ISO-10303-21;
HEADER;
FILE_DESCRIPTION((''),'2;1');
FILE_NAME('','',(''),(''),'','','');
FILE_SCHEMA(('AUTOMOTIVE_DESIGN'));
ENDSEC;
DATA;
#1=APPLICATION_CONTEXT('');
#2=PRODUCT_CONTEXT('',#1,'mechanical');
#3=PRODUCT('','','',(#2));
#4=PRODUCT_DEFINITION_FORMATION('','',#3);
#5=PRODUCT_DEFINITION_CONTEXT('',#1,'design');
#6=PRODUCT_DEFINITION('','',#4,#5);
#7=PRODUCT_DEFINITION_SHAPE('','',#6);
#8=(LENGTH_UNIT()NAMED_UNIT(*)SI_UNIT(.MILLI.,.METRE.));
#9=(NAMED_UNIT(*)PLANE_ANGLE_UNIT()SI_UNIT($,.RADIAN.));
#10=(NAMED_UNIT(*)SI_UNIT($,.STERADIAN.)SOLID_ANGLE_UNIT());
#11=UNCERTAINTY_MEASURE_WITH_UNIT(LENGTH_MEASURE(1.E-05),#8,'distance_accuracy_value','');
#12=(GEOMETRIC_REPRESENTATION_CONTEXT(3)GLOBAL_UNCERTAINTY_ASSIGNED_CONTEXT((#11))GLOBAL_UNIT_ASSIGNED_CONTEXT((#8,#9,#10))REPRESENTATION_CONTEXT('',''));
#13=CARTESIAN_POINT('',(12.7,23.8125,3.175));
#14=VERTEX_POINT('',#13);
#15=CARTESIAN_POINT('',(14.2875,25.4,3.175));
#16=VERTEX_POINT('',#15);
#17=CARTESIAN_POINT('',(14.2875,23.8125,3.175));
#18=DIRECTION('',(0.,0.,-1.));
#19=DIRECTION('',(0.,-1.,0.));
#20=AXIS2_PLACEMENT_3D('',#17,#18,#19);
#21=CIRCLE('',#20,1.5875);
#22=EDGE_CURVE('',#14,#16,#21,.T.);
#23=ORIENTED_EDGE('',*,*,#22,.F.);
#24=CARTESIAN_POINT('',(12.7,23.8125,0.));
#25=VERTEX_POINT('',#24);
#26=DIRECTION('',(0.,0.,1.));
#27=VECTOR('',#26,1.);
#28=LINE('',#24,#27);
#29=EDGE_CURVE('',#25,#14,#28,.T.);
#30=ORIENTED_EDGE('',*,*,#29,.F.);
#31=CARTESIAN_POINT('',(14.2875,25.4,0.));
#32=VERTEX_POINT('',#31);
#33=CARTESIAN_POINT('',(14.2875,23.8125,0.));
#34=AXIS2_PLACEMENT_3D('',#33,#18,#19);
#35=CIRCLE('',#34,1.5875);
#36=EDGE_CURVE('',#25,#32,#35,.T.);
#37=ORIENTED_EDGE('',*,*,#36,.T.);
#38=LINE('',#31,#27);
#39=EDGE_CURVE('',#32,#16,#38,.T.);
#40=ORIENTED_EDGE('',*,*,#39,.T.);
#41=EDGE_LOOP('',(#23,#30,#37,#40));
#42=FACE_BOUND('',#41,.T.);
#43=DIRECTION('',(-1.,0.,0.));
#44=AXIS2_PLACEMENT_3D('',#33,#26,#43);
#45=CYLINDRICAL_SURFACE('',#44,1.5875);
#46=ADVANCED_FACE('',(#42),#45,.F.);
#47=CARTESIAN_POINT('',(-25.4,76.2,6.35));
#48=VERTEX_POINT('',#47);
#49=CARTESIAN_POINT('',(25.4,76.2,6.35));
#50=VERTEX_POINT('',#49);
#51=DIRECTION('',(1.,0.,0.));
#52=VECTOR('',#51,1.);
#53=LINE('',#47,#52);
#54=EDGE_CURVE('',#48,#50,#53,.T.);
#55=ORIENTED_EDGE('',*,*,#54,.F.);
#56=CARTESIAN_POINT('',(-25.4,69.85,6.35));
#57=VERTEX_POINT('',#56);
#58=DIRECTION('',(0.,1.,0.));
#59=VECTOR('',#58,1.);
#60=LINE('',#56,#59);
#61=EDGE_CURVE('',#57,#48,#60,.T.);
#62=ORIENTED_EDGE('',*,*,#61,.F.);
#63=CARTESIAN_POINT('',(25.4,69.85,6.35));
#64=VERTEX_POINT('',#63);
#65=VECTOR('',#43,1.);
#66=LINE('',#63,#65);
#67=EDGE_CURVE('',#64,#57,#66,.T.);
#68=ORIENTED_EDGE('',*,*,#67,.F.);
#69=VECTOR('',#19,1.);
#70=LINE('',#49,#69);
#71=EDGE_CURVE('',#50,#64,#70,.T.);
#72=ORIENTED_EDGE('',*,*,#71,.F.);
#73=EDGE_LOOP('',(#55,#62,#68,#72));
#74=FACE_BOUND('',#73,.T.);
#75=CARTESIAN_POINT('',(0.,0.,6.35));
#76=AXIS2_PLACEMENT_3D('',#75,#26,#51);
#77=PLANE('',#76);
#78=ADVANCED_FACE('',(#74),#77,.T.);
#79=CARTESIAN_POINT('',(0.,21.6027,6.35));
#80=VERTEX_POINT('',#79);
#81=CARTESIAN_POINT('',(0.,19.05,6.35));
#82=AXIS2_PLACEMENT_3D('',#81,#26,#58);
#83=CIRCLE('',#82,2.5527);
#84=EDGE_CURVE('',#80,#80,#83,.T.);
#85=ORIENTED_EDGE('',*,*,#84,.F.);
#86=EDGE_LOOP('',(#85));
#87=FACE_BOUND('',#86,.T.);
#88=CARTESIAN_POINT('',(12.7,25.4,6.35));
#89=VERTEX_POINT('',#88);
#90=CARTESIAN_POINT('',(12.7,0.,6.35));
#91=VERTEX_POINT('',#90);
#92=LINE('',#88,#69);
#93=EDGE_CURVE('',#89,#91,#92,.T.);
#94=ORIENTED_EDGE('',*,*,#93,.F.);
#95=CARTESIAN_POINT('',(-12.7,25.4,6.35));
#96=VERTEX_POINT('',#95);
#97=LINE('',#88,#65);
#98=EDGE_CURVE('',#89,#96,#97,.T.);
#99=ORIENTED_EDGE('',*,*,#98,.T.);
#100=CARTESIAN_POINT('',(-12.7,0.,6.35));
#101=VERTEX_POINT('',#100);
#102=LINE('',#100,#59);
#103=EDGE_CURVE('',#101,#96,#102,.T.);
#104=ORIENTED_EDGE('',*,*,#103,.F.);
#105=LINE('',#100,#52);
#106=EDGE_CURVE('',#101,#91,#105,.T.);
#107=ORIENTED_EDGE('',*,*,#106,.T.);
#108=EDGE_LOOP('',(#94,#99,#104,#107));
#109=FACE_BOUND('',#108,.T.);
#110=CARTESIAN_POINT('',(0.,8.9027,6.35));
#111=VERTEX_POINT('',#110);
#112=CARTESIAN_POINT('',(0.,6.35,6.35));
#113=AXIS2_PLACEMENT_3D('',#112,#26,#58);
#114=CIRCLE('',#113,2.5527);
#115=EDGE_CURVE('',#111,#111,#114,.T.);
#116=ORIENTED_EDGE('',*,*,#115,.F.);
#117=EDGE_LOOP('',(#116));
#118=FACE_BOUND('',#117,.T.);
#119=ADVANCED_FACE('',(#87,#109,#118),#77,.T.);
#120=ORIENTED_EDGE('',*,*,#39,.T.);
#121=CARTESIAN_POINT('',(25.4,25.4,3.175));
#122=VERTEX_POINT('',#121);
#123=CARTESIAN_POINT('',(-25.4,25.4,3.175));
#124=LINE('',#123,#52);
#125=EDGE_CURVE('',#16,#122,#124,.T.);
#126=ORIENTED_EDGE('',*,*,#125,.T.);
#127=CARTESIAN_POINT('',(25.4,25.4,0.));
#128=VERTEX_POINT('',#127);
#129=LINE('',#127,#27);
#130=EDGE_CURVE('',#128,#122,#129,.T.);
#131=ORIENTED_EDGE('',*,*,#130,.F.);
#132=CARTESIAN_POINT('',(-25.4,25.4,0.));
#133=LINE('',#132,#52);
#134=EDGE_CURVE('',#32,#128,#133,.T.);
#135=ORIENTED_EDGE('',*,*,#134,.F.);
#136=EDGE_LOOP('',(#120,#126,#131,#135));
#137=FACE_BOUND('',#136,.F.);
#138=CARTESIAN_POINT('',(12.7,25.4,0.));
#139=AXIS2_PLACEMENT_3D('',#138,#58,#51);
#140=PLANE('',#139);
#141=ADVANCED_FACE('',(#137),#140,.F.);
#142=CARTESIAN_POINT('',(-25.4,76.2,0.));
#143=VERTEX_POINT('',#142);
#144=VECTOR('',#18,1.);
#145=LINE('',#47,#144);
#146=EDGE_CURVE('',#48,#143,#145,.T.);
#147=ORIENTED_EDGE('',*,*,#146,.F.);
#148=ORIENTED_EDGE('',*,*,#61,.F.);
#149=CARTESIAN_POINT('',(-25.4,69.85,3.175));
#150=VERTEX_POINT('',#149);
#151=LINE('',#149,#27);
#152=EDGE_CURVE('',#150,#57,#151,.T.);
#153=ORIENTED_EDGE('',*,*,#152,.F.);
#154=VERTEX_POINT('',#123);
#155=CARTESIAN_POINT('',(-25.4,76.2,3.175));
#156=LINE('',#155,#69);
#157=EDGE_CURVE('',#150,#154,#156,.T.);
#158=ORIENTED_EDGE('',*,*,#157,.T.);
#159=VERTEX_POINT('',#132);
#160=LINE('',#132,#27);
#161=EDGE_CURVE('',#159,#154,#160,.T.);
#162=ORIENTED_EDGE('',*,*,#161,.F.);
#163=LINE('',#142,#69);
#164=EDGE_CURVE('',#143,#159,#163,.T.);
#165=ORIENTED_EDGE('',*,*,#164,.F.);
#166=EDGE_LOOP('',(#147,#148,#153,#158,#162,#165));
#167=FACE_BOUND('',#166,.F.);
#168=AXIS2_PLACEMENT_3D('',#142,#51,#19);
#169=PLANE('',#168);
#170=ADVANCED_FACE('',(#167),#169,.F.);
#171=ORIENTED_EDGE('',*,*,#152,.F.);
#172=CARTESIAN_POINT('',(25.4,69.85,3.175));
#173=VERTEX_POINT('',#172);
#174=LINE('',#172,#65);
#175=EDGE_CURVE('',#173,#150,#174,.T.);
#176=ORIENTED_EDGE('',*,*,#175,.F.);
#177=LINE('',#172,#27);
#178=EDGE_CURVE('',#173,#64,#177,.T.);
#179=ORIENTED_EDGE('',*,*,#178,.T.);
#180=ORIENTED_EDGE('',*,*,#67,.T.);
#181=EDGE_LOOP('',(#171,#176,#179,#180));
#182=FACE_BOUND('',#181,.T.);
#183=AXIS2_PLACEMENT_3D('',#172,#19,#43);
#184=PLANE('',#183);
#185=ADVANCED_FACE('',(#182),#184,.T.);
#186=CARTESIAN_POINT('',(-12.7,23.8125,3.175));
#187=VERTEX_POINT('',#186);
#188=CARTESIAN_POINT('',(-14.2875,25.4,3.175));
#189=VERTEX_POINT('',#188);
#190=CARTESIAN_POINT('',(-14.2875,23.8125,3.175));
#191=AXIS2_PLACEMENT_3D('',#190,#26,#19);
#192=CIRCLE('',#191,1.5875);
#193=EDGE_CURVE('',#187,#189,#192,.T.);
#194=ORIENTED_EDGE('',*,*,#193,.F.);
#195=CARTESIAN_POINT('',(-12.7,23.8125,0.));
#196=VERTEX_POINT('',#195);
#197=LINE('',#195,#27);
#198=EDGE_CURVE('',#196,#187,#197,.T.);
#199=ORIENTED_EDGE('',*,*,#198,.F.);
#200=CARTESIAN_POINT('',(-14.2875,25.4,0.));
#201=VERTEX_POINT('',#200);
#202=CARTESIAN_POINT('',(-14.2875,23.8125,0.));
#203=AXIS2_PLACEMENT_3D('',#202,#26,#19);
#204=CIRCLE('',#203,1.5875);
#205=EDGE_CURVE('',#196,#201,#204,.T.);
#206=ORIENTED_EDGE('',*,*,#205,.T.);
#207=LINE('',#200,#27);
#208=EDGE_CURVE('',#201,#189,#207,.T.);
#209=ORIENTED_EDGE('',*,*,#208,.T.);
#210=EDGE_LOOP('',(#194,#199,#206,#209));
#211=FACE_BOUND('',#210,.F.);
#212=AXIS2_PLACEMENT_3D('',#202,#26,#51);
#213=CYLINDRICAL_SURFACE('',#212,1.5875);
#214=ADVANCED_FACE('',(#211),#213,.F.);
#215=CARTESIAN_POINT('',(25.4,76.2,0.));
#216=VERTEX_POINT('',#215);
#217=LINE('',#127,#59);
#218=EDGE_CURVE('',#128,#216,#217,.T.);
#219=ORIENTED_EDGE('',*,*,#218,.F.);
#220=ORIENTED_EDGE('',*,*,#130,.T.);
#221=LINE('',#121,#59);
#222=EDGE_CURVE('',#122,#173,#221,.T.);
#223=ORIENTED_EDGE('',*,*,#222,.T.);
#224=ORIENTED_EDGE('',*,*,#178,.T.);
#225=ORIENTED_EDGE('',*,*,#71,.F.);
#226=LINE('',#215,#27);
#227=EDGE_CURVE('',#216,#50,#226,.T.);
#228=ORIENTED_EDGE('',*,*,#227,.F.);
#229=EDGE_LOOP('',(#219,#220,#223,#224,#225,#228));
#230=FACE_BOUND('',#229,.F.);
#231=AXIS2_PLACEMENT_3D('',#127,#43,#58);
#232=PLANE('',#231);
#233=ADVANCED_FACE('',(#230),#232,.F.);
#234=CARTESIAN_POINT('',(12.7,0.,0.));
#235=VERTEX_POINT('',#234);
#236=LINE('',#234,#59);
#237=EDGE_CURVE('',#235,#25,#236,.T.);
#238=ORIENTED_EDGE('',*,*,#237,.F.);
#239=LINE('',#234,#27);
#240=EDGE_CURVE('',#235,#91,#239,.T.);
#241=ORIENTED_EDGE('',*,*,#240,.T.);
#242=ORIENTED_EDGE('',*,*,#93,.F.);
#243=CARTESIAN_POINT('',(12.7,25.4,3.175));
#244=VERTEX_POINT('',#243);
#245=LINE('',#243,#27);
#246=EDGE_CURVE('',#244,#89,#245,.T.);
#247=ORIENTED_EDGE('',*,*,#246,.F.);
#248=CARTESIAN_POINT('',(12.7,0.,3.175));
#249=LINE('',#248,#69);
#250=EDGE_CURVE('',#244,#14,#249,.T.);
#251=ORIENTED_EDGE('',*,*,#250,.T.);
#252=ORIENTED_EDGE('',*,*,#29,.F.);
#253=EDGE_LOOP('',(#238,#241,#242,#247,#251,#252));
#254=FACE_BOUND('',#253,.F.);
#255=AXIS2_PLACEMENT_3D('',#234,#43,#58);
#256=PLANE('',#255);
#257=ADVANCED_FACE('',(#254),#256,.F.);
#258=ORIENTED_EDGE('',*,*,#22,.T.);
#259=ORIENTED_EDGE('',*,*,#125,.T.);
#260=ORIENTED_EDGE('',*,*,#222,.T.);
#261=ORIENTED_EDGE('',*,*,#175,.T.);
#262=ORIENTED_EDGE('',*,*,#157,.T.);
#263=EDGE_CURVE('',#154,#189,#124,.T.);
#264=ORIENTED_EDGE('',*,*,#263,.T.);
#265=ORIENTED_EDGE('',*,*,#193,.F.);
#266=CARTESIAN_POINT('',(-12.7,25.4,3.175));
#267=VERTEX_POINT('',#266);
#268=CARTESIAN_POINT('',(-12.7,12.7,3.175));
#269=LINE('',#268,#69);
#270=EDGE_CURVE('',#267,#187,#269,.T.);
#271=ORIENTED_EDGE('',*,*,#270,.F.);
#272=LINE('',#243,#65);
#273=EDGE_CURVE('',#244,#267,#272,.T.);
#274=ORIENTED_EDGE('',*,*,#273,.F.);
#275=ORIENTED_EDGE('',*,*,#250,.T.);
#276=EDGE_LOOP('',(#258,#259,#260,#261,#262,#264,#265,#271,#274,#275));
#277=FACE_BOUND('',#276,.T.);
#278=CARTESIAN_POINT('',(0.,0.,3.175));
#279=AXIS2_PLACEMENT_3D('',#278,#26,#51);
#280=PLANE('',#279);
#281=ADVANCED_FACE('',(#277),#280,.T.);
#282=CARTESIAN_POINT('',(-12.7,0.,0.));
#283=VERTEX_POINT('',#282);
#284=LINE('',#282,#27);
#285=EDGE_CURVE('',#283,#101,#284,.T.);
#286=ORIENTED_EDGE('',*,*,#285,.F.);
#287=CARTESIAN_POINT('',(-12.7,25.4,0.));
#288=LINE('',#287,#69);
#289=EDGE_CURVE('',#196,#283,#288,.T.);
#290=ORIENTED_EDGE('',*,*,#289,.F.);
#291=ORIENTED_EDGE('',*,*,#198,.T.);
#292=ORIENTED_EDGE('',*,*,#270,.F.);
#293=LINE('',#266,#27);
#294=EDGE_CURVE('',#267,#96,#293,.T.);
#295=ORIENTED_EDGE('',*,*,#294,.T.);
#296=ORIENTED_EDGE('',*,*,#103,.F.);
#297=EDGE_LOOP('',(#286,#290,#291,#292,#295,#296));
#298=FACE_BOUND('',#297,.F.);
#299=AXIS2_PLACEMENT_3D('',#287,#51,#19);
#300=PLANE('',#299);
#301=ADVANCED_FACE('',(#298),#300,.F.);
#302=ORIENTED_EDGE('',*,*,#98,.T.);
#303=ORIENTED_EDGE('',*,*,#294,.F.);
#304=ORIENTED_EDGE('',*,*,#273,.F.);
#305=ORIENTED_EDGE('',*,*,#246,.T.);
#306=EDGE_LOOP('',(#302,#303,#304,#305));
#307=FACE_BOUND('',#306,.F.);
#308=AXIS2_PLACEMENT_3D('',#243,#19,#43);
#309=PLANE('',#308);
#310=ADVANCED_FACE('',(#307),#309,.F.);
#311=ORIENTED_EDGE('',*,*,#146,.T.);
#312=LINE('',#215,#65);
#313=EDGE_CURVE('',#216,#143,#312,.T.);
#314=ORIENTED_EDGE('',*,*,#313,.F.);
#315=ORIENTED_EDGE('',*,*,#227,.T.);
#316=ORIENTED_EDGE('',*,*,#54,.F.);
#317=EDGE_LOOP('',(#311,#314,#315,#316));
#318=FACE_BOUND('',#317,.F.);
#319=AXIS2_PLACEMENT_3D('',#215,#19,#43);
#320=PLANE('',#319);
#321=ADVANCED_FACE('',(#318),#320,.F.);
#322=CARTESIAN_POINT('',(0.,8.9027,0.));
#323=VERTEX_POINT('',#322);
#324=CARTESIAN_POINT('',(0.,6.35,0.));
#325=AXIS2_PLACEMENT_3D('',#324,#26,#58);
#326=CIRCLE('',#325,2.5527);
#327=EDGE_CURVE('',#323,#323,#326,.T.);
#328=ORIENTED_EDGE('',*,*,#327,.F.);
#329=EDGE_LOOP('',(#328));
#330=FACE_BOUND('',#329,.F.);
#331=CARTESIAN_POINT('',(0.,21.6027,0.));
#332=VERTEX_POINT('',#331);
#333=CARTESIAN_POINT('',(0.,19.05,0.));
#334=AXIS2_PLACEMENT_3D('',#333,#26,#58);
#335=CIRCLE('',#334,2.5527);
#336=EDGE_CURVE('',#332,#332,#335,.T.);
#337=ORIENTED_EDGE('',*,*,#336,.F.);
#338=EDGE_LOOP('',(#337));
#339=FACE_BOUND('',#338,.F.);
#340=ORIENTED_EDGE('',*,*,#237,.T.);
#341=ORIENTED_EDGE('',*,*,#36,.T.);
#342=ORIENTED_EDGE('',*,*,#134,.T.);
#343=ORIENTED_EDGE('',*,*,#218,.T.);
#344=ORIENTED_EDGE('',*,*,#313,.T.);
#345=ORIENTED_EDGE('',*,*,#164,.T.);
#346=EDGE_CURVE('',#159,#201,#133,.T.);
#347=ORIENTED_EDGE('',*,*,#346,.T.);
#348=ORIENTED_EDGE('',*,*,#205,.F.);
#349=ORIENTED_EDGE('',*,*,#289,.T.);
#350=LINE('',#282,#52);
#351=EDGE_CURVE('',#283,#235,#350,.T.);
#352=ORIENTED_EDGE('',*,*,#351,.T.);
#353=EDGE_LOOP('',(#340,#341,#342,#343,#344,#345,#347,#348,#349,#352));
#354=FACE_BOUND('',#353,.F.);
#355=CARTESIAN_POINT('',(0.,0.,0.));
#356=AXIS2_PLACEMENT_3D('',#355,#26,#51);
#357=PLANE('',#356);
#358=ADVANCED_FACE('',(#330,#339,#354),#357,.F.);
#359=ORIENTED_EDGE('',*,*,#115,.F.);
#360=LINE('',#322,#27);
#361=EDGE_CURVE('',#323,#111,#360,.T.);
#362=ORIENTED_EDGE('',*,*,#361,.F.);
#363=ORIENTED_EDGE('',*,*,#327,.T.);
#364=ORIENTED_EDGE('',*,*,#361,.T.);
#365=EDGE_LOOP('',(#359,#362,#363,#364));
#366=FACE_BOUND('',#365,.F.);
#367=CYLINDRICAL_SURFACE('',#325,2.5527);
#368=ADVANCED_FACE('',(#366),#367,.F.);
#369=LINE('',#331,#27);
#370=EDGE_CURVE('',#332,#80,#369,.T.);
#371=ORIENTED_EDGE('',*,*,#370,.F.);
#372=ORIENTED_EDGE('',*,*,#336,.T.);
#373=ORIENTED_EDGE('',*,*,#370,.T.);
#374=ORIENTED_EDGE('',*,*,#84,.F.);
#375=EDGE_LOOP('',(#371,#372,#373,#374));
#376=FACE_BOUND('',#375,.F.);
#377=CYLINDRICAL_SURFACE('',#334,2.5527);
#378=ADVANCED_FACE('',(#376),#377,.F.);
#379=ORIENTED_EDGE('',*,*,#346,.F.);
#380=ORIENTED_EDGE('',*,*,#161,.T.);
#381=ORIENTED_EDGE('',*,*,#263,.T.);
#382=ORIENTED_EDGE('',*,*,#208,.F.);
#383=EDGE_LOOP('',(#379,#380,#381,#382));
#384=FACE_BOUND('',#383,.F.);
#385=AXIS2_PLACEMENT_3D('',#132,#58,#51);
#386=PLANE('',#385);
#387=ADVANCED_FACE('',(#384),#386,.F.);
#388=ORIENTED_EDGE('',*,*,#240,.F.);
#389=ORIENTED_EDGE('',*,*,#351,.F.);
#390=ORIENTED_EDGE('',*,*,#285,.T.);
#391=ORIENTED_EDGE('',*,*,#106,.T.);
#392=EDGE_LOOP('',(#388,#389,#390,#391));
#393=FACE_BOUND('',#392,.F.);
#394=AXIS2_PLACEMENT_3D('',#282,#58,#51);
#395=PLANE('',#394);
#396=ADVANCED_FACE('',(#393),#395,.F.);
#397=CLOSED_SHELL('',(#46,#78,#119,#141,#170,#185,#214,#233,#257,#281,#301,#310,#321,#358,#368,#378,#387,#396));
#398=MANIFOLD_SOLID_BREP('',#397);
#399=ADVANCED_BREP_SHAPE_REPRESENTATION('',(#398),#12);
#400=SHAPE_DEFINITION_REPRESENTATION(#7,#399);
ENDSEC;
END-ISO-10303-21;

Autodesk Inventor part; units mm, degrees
ref_plane "YZ Plane" through (0, 0, 0) normal (1, 0, 0) x (0, 1, 0)
ref_plane "XZ Plane" through (0, 0, 0) normal (0, 1, 0) x (-1, 0, 0)
ref_plane "XY Plane" through (0, 0, 0) normal (0, 0, 1) x (1, 0, 0)
sketch "Sketch1" plane through (0, 0, 0) normal (0, 0, 1) x (1, 0, 0)
  line L0 (-12.7, 0) -> (12.7, 0)
  line L1 (12.7, 0) -> (12.7, 25.4)
  line L2 (12.7, 25.4) -> (-12.7, 25.4)
  line L3 (-12.7, 25.4) -> (-12.7, 0)
  line L4 (-25.4, 25.4) -> (25.4, 25.4)
  line L5 (25.4, 25.4) -> (25.4, 76.2)
  line L6 (25.4, 76.2) -> (-25.4, 76.2)
  line L7 (-25.4, 76.2) -> (-25.4, 25.4)
  point P0 (0, 0)
  point P1 (0, 25.4)
  point P2 (0, 0)
  dimension "d0" = 25.4
  dimension "d1" = 50.8
  dimension "d2" = 25.4
  dimension "d3" = 50.8
extrude "Extrusion1" add sketch "Sketch1" along normal blind 3.175
sketch "Sketch2" plane through (0, 0, 3.175) normal (0, 0, 1) x (1, 0, 0)
  line L0 (-12.7, 0) -> (12.7, 0)
  line L1 (12.7, 0) -> (12.7, 25.4)
  line L2 (12.7, 25.4) -> (-12.7, 25.4)
  line L3 (-12.7, 25.4) -> (-12.7, 0)
  line L4 (25.4, 76.2) -> (25.4, 25.4) projected
  line L5 (-25.4, 76.2) -> (25.4, 76.2) projected
  line L6 (-25.4, 76.2) -> (25.4, 76.2)
  line L7 (25.4, 76.2) -> (25.4, 69.85)
  line L8 (25.4, 69.85) -> (-25.4, 69.85)
  line L9 (-25.4, 69.85) -> (-25.4, 76.2)
  line L10 (-12.7, 0) -> (-12.7, 25.4) projected
  line L11 (12.7, 25.4) -> (12.7, 0) projected
  line L12 (25.4, 25.4) -> (12.7, 25.4) projected
  line L13 (-12.7, 25.4) -> (-25.4, 25.4) projected
  line L14 (-12.7, 25.4) -> (-13.5255, 25.4)
  arc A0 (-12.7, 24.5745) -> (-13.5255, 25.4) centre (-13.5255, 24.5745) ccw
  line L15 (12.7, 25.4) -> (13.5255, 25.4)
  arc A1 (13.5255, 25.4) -> (12.7, 24.5745) centre (13.5255, 24.5745) ccw
  point P0 (0, 0)
  dimension "d17" = 6.35
  dimension "d19" = 0.8255
extrude "Extrusion2" add sketch "Sketch2" along normal blind 3.175 contours L3 L2 L1 L0 | L8 L9 L5 L4
fillet "Fillet1" radius 1.5875 2 edges at (12.7, 25.4, 1.5875) (-12.7, 25.4, 1.5875)
sketch "Sketch3" plane through (0, 0, 0) normal (0, 0, -1) x (-1, 0, 0)
  line L0 (12.7, 0) -> (-12.7, 0) projected
  point P0 (0, 0)
  point P1 (0, 6.35)
  point P2 (0, 19.05)
  point P3 (0, 0)
  dimension "d8" = 12.7
  dimension "d9" = 6.35
hole "Hole1" at (0, 6.35, 0) at (0, 19.05, 0) direction (0, 0, 1) diameter 5.1054 end through all clearance for "Flat Head Machine Screw (82)" size "#10" standard "Ansi Unified Screw Threads"
properties part number "gripper jaw extension"
